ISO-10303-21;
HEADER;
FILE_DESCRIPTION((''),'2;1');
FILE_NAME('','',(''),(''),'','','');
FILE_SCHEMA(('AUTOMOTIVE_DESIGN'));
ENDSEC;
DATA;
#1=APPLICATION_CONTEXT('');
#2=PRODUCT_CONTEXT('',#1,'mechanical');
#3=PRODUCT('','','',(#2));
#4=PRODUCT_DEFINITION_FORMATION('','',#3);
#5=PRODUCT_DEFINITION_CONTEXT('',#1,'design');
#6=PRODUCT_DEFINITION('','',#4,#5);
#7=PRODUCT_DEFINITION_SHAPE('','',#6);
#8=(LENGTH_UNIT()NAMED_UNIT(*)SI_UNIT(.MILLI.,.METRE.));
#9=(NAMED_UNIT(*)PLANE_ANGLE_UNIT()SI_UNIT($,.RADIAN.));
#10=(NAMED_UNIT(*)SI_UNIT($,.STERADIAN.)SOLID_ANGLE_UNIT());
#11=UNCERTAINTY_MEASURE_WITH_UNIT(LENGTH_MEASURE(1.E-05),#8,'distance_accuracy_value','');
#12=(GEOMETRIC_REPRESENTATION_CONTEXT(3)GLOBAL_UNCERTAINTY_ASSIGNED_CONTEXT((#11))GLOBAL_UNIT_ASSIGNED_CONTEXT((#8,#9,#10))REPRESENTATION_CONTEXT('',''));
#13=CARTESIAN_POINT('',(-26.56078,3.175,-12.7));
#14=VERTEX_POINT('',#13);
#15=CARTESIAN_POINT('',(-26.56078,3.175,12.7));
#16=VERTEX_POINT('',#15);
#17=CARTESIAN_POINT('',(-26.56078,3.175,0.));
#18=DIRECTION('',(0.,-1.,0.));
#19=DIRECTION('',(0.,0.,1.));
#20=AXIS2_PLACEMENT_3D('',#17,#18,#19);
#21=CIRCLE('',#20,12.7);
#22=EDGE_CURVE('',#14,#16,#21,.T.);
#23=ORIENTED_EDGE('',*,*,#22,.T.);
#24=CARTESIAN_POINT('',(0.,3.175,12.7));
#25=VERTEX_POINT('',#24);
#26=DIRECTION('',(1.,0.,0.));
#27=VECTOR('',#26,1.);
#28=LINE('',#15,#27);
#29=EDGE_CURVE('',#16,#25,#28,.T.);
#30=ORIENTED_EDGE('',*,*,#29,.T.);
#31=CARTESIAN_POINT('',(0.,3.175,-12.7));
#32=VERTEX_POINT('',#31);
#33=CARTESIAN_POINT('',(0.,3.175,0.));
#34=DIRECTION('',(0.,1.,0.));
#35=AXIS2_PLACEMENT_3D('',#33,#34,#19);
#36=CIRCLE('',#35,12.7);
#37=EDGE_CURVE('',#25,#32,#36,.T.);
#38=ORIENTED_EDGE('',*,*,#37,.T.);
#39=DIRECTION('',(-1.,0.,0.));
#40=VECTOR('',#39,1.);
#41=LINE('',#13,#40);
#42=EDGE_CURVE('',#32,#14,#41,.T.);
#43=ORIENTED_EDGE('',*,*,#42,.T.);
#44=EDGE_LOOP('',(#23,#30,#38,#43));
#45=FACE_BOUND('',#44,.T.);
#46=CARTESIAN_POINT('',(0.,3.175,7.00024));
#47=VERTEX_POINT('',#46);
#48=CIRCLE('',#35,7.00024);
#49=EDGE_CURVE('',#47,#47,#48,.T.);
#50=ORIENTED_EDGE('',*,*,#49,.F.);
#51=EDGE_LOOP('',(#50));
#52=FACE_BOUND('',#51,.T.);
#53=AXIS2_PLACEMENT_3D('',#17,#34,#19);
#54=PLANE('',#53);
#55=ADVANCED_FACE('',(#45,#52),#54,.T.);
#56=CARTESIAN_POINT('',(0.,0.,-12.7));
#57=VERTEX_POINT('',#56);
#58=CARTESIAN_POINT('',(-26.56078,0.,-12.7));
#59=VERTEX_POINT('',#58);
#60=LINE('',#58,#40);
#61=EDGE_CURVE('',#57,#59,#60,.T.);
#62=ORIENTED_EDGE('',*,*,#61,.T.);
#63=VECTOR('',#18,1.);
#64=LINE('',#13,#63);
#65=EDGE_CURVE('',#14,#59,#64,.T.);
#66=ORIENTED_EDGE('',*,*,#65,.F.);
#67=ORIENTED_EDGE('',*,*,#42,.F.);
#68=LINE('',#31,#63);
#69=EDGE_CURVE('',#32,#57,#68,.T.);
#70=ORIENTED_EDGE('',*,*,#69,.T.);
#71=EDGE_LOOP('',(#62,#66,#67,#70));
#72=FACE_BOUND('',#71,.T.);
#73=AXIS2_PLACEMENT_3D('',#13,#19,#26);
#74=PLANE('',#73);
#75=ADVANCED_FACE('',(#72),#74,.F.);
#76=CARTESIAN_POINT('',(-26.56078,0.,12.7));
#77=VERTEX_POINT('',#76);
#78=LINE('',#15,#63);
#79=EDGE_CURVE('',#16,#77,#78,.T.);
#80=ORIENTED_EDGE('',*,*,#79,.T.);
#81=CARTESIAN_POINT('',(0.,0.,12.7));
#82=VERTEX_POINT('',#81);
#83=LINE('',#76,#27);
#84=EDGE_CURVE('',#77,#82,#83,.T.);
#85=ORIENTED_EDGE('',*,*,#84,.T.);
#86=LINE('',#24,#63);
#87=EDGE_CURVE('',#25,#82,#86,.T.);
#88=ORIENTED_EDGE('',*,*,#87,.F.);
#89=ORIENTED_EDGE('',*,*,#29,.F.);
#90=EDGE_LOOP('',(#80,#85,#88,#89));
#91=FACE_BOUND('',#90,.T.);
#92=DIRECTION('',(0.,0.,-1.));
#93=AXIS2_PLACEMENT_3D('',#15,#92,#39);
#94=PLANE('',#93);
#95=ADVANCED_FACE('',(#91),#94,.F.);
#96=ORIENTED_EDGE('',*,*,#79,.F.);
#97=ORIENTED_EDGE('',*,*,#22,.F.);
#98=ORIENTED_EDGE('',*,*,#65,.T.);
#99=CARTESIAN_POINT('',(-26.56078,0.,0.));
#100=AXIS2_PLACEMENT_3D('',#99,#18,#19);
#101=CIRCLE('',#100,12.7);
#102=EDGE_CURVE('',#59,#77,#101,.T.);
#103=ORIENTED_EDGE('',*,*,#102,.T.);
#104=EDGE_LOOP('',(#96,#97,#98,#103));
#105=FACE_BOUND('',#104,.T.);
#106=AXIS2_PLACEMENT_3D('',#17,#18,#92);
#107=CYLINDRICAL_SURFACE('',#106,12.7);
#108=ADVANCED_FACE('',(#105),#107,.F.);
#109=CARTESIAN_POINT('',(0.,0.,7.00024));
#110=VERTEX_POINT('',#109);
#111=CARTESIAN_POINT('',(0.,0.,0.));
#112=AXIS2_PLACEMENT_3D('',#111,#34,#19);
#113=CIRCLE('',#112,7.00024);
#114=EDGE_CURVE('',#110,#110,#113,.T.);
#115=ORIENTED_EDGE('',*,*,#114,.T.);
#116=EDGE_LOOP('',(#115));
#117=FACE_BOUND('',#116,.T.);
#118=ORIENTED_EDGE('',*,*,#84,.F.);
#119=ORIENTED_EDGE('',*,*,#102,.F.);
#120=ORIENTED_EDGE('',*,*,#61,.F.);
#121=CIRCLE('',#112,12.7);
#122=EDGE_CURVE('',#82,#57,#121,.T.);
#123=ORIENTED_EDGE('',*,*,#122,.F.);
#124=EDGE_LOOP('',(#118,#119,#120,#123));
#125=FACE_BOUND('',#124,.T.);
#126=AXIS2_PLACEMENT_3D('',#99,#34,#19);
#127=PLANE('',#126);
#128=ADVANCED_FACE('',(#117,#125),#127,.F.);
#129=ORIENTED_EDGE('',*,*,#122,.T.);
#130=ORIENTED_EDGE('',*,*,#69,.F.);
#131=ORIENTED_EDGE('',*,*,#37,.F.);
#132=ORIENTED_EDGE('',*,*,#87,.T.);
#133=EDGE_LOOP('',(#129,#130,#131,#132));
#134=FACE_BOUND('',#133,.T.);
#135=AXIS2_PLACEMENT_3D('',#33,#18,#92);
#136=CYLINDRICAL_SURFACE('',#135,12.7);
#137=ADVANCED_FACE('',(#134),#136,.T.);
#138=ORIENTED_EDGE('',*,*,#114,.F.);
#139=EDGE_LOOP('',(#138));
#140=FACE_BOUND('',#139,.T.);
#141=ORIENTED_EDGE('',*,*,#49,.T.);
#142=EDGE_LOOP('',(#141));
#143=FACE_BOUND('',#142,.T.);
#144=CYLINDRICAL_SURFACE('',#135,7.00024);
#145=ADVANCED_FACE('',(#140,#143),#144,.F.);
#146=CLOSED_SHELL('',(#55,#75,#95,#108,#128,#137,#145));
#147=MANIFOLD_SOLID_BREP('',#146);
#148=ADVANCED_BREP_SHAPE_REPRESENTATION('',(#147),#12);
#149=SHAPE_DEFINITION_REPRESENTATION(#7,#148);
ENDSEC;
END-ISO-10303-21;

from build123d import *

# Parameters (mm, degrees)
SKETCH1_R           = 7.00024
BOSS_EXTRUDE1_DEPTH = 3.175


with BuildPart() as part:
    # Sketch1 → Boss-Extrude1 (new body)
    with BuildSketch(Plane(origin=(0, 0, 0), x_dir=(1, 0, 0), z_dir=(0, 1, 0))):
        with BuildLine():
            Line((-26.56078, 12.7), (0, 12.7))
            ThreePointArc((0, 12.7), (12.7, 0), (0, -12.7))
            Line((0, -12.7), (-26.56078, -12.7))
            ThreePointArc((-26.56078, -12.7), (-13.86078, 0), (-26.56078, 12.7))
        make_face()
        with Locations(Location((0, 0, 0), (0, 0, 270))):
            Circle(SKETCH1_R, mode=Mode.SUBTRACT)
    extrude(amount=BOSS_EXTRUDE1_DEPTH)


solid = part.part
